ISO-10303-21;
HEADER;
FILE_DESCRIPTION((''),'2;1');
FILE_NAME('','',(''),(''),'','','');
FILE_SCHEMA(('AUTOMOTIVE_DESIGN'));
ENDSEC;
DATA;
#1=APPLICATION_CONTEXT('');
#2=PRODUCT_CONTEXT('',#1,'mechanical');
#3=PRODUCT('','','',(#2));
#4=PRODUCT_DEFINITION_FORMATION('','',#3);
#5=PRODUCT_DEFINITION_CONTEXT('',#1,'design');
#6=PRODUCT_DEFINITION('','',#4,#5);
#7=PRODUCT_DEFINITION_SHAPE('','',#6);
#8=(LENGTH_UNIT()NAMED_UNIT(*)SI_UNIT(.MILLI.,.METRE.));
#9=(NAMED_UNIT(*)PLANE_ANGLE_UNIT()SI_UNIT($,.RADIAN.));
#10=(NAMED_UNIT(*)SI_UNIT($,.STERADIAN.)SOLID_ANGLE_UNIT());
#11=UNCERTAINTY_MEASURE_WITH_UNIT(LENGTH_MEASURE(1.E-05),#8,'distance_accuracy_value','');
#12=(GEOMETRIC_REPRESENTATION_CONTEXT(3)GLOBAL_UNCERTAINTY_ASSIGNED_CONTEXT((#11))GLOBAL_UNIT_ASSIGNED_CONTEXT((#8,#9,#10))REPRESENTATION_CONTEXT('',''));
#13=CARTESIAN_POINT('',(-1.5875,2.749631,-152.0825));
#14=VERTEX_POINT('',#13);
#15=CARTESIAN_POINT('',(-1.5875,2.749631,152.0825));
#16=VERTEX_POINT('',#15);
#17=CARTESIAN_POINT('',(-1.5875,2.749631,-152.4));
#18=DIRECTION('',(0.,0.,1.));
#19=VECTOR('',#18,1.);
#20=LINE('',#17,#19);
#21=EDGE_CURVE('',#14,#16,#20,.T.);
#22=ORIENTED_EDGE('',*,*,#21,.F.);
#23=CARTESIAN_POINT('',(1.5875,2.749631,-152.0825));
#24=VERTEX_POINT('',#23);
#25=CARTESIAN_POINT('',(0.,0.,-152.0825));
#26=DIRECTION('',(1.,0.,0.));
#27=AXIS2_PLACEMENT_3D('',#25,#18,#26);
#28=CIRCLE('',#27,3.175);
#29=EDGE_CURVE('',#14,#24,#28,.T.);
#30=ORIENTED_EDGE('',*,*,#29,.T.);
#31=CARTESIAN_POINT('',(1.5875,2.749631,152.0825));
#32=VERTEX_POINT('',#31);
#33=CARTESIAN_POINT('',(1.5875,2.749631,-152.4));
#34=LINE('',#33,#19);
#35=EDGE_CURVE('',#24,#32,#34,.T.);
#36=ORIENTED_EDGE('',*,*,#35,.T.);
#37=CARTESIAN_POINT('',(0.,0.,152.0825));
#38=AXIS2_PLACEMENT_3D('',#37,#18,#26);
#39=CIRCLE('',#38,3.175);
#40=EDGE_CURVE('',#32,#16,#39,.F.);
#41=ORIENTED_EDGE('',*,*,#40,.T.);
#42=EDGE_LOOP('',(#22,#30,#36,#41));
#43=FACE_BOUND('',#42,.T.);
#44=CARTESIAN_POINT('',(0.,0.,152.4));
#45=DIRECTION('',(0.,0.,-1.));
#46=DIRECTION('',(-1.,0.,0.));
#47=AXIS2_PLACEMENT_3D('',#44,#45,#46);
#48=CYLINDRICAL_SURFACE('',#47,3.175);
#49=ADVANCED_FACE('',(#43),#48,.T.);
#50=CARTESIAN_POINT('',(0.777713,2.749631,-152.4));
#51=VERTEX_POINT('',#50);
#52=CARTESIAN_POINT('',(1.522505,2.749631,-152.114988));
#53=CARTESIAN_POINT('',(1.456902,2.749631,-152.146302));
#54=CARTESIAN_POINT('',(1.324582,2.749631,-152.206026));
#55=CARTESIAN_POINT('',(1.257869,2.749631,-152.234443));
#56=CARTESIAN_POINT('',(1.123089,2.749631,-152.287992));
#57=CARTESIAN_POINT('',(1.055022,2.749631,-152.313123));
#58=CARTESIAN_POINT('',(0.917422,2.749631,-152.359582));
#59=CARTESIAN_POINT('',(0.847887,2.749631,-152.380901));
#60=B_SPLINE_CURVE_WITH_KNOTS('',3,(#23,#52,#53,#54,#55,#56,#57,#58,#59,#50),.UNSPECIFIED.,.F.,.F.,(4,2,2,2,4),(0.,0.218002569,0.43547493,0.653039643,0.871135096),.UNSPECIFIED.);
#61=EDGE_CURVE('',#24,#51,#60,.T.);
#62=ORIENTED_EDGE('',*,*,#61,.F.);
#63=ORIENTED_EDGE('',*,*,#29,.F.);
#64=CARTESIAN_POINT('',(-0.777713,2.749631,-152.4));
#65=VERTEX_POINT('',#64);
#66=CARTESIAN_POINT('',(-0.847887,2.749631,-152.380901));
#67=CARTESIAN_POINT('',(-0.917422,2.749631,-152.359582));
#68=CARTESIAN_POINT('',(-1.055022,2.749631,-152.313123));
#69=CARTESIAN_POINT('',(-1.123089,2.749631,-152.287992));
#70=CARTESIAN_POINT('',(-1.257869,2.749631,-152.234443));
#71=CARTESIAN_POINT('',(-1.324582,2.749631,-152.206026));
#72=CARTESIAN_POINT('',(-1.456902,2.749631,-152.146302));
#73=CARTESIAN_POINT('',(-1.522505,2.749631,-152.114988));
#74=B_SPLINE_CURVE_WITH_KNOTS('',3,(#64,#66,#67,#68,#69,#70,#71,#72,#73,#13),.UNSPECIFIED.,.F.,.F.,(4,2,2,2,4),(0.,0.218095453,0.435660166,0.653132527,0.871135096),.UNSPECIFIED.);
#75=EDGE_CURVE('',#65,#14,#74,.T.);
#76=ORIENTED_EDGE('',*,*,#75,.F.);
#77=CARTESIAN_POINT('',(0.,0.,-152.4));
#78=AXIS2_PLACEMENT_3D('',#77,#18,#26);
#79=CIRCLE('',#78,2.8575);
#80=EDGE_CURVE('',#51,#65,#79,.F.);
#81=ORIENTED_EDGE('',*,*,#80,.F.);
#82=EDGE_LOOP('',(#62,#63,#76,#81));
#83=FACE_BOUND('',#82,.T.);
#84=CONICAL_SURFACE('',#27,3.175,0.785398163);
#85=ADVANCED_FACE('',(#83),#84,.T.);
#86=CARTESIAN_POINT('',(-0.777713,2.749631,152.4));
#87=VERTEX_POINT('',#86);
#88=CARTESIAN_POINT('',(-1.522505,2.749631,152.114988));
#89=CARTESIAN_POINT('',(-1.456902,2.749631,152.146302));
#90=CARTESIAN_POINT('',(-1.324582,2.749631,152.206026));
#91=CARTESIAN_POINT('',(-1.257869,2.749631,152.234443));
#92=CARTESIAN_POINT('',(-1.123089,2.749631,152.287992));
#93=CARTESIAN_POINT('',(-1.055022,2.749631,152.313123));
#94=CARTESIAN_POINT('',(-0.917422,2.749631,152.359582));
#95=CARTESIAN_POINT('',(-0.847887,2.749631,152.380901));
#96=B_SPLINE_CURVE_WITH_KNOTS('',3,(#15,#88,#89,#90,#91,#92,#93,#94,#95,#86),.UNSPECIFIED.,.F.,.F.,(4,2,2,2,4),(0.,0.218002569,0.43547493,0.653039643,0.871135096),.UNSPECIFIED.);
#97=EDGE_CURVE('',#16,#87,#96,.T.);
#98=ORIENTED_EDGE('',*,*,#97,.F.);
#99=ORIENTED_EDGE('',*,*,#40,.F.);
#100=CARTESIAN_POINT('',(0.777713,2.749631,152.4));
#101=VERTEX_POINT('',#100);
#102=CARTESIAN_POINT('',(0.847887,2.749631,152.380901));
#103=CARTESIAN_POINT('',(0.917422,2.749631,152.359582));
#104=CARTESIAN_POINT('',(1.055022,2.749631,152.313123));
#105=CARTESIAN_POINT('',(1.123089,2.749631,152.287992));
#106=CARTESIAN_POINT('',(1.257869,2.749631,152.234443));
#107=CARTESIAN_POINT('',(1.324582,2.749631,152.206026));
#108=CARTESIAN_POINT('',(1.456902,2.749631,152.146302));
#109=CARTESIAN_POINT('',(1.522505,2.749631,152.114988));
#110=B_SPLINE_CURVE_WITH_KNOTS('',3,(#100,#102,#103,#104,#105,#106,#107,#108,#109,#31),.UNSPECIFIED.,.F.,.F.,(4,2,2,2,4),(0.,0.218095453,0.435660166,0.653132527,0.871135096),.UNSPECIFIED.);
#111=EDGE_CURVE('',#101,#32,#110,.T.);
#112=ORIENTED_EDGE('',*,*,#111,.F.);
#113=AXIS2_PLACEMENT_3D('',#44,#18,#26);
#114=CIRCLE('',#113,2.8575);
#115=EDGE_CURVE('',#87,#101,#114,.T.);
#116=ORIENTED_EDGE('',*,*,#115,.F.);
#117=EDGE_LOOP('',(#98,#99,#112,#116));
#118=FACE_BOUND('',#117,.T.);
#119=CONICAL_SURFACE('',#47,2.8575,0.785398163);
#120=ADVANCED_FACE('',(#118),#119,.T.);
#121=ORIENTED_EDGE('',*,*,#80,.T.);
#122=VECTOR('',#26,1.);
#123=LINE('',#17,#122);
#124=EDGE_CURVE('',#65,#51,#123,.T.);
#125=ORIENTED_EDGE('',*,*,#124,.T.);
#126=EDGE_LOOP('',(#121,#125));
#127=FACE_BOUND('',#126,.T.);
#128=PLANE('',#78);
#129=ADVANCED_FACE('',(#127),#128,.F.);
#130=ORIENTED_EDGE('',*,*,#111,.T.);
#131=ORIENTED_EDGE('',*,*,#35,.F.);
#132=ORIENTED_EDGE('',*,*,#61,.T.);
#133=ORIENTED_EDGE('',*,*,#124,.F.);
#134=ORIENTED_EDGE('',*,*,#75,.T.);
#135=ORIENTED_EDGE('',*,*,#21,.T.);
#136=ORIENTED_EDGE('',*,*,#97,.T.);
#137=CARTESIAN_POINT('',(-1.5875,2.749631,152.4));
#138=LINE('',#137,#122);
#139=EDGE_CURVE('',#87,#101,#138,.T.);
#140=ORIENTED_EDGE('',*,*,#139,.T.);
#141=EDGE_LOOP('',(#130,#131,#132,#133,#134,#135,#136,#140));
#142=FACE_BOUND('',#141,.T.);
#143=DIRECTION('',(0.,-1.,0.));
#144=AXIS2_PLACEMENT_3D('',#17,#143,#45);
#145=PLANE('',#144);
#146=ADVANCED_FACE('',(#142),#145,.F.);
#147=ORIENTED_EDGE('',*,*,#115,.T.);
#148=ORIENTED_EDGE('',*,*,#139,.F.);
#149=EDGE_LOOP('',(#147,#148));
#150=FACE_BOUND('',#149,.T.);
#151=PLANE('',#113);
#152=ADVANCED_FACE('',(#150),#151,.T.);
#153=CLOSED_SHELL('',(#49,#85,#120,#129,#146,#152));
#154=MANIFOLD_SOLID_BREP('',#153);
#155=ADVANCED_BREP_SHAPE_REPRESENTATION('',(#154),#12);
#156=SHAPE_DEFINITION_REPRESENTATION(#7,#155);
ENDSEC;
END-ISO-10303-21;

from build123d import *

# Parameters (mm, degrees)
SKETCH3_R                = 3.175
BOSS_EXTRUDE2_DEPTH      = 152.4
BOSS_EXTRUDE2_DEPTH_BACK = 152.4
CUT_EXTRUDE5_DEPTH       = 153.4
CUT_EXTRUDE5_DEPTH_BACK  = 153.4
CHAMFER1_SIZE            = 0.3175


with BuildPart() as part:
    # Sketch3 → Boss-Extrude2 (new body, two sides)
    with BuildSketch(Plane.XY) as boss_extrude2_sk:
        Circle(SKETCH3_R)
    extrude(amount=BOSS_EXTRUDE2_DEPTH)
    extrude(boss_extrude2_sk.sketch, amount=-BOSS_EXTRUDE2_DEPTH_BACK)

    # Sketch10 → Cut-Extrude5 (cut, two sides)
    with BuildSketch(Plane.XY) as cut_extrude5_sk:
        with BuildLine():
            Line((-1.5875, 2.749630657), (1.5875, 2.749630657))
            ThreePointArc((1.5875, 2.749630657), (0, 3.175), (-1.5875, 2.749630657))
        make_face()
    extrude(amount=CUT_EXTRUDE5_DEPTH, mode=Mode.SUBTRACT)
    extrude(cut_extrude5_sk.sketch, amount=-CUT_EXTRUDE5_DEPTH_BACK, mode=Mode.SUBTRACT)

    # Chamfer1
    chamfer1_edges = [part.edges().sort_by_distance(p)[0] for p in [
        (0, -3.175, -152.4),
        (0, -3.175, 152.4),
    ]]
    chamfer(chamfer1_edges, length=CHAMFER1_SIZE)


solid = part.part
